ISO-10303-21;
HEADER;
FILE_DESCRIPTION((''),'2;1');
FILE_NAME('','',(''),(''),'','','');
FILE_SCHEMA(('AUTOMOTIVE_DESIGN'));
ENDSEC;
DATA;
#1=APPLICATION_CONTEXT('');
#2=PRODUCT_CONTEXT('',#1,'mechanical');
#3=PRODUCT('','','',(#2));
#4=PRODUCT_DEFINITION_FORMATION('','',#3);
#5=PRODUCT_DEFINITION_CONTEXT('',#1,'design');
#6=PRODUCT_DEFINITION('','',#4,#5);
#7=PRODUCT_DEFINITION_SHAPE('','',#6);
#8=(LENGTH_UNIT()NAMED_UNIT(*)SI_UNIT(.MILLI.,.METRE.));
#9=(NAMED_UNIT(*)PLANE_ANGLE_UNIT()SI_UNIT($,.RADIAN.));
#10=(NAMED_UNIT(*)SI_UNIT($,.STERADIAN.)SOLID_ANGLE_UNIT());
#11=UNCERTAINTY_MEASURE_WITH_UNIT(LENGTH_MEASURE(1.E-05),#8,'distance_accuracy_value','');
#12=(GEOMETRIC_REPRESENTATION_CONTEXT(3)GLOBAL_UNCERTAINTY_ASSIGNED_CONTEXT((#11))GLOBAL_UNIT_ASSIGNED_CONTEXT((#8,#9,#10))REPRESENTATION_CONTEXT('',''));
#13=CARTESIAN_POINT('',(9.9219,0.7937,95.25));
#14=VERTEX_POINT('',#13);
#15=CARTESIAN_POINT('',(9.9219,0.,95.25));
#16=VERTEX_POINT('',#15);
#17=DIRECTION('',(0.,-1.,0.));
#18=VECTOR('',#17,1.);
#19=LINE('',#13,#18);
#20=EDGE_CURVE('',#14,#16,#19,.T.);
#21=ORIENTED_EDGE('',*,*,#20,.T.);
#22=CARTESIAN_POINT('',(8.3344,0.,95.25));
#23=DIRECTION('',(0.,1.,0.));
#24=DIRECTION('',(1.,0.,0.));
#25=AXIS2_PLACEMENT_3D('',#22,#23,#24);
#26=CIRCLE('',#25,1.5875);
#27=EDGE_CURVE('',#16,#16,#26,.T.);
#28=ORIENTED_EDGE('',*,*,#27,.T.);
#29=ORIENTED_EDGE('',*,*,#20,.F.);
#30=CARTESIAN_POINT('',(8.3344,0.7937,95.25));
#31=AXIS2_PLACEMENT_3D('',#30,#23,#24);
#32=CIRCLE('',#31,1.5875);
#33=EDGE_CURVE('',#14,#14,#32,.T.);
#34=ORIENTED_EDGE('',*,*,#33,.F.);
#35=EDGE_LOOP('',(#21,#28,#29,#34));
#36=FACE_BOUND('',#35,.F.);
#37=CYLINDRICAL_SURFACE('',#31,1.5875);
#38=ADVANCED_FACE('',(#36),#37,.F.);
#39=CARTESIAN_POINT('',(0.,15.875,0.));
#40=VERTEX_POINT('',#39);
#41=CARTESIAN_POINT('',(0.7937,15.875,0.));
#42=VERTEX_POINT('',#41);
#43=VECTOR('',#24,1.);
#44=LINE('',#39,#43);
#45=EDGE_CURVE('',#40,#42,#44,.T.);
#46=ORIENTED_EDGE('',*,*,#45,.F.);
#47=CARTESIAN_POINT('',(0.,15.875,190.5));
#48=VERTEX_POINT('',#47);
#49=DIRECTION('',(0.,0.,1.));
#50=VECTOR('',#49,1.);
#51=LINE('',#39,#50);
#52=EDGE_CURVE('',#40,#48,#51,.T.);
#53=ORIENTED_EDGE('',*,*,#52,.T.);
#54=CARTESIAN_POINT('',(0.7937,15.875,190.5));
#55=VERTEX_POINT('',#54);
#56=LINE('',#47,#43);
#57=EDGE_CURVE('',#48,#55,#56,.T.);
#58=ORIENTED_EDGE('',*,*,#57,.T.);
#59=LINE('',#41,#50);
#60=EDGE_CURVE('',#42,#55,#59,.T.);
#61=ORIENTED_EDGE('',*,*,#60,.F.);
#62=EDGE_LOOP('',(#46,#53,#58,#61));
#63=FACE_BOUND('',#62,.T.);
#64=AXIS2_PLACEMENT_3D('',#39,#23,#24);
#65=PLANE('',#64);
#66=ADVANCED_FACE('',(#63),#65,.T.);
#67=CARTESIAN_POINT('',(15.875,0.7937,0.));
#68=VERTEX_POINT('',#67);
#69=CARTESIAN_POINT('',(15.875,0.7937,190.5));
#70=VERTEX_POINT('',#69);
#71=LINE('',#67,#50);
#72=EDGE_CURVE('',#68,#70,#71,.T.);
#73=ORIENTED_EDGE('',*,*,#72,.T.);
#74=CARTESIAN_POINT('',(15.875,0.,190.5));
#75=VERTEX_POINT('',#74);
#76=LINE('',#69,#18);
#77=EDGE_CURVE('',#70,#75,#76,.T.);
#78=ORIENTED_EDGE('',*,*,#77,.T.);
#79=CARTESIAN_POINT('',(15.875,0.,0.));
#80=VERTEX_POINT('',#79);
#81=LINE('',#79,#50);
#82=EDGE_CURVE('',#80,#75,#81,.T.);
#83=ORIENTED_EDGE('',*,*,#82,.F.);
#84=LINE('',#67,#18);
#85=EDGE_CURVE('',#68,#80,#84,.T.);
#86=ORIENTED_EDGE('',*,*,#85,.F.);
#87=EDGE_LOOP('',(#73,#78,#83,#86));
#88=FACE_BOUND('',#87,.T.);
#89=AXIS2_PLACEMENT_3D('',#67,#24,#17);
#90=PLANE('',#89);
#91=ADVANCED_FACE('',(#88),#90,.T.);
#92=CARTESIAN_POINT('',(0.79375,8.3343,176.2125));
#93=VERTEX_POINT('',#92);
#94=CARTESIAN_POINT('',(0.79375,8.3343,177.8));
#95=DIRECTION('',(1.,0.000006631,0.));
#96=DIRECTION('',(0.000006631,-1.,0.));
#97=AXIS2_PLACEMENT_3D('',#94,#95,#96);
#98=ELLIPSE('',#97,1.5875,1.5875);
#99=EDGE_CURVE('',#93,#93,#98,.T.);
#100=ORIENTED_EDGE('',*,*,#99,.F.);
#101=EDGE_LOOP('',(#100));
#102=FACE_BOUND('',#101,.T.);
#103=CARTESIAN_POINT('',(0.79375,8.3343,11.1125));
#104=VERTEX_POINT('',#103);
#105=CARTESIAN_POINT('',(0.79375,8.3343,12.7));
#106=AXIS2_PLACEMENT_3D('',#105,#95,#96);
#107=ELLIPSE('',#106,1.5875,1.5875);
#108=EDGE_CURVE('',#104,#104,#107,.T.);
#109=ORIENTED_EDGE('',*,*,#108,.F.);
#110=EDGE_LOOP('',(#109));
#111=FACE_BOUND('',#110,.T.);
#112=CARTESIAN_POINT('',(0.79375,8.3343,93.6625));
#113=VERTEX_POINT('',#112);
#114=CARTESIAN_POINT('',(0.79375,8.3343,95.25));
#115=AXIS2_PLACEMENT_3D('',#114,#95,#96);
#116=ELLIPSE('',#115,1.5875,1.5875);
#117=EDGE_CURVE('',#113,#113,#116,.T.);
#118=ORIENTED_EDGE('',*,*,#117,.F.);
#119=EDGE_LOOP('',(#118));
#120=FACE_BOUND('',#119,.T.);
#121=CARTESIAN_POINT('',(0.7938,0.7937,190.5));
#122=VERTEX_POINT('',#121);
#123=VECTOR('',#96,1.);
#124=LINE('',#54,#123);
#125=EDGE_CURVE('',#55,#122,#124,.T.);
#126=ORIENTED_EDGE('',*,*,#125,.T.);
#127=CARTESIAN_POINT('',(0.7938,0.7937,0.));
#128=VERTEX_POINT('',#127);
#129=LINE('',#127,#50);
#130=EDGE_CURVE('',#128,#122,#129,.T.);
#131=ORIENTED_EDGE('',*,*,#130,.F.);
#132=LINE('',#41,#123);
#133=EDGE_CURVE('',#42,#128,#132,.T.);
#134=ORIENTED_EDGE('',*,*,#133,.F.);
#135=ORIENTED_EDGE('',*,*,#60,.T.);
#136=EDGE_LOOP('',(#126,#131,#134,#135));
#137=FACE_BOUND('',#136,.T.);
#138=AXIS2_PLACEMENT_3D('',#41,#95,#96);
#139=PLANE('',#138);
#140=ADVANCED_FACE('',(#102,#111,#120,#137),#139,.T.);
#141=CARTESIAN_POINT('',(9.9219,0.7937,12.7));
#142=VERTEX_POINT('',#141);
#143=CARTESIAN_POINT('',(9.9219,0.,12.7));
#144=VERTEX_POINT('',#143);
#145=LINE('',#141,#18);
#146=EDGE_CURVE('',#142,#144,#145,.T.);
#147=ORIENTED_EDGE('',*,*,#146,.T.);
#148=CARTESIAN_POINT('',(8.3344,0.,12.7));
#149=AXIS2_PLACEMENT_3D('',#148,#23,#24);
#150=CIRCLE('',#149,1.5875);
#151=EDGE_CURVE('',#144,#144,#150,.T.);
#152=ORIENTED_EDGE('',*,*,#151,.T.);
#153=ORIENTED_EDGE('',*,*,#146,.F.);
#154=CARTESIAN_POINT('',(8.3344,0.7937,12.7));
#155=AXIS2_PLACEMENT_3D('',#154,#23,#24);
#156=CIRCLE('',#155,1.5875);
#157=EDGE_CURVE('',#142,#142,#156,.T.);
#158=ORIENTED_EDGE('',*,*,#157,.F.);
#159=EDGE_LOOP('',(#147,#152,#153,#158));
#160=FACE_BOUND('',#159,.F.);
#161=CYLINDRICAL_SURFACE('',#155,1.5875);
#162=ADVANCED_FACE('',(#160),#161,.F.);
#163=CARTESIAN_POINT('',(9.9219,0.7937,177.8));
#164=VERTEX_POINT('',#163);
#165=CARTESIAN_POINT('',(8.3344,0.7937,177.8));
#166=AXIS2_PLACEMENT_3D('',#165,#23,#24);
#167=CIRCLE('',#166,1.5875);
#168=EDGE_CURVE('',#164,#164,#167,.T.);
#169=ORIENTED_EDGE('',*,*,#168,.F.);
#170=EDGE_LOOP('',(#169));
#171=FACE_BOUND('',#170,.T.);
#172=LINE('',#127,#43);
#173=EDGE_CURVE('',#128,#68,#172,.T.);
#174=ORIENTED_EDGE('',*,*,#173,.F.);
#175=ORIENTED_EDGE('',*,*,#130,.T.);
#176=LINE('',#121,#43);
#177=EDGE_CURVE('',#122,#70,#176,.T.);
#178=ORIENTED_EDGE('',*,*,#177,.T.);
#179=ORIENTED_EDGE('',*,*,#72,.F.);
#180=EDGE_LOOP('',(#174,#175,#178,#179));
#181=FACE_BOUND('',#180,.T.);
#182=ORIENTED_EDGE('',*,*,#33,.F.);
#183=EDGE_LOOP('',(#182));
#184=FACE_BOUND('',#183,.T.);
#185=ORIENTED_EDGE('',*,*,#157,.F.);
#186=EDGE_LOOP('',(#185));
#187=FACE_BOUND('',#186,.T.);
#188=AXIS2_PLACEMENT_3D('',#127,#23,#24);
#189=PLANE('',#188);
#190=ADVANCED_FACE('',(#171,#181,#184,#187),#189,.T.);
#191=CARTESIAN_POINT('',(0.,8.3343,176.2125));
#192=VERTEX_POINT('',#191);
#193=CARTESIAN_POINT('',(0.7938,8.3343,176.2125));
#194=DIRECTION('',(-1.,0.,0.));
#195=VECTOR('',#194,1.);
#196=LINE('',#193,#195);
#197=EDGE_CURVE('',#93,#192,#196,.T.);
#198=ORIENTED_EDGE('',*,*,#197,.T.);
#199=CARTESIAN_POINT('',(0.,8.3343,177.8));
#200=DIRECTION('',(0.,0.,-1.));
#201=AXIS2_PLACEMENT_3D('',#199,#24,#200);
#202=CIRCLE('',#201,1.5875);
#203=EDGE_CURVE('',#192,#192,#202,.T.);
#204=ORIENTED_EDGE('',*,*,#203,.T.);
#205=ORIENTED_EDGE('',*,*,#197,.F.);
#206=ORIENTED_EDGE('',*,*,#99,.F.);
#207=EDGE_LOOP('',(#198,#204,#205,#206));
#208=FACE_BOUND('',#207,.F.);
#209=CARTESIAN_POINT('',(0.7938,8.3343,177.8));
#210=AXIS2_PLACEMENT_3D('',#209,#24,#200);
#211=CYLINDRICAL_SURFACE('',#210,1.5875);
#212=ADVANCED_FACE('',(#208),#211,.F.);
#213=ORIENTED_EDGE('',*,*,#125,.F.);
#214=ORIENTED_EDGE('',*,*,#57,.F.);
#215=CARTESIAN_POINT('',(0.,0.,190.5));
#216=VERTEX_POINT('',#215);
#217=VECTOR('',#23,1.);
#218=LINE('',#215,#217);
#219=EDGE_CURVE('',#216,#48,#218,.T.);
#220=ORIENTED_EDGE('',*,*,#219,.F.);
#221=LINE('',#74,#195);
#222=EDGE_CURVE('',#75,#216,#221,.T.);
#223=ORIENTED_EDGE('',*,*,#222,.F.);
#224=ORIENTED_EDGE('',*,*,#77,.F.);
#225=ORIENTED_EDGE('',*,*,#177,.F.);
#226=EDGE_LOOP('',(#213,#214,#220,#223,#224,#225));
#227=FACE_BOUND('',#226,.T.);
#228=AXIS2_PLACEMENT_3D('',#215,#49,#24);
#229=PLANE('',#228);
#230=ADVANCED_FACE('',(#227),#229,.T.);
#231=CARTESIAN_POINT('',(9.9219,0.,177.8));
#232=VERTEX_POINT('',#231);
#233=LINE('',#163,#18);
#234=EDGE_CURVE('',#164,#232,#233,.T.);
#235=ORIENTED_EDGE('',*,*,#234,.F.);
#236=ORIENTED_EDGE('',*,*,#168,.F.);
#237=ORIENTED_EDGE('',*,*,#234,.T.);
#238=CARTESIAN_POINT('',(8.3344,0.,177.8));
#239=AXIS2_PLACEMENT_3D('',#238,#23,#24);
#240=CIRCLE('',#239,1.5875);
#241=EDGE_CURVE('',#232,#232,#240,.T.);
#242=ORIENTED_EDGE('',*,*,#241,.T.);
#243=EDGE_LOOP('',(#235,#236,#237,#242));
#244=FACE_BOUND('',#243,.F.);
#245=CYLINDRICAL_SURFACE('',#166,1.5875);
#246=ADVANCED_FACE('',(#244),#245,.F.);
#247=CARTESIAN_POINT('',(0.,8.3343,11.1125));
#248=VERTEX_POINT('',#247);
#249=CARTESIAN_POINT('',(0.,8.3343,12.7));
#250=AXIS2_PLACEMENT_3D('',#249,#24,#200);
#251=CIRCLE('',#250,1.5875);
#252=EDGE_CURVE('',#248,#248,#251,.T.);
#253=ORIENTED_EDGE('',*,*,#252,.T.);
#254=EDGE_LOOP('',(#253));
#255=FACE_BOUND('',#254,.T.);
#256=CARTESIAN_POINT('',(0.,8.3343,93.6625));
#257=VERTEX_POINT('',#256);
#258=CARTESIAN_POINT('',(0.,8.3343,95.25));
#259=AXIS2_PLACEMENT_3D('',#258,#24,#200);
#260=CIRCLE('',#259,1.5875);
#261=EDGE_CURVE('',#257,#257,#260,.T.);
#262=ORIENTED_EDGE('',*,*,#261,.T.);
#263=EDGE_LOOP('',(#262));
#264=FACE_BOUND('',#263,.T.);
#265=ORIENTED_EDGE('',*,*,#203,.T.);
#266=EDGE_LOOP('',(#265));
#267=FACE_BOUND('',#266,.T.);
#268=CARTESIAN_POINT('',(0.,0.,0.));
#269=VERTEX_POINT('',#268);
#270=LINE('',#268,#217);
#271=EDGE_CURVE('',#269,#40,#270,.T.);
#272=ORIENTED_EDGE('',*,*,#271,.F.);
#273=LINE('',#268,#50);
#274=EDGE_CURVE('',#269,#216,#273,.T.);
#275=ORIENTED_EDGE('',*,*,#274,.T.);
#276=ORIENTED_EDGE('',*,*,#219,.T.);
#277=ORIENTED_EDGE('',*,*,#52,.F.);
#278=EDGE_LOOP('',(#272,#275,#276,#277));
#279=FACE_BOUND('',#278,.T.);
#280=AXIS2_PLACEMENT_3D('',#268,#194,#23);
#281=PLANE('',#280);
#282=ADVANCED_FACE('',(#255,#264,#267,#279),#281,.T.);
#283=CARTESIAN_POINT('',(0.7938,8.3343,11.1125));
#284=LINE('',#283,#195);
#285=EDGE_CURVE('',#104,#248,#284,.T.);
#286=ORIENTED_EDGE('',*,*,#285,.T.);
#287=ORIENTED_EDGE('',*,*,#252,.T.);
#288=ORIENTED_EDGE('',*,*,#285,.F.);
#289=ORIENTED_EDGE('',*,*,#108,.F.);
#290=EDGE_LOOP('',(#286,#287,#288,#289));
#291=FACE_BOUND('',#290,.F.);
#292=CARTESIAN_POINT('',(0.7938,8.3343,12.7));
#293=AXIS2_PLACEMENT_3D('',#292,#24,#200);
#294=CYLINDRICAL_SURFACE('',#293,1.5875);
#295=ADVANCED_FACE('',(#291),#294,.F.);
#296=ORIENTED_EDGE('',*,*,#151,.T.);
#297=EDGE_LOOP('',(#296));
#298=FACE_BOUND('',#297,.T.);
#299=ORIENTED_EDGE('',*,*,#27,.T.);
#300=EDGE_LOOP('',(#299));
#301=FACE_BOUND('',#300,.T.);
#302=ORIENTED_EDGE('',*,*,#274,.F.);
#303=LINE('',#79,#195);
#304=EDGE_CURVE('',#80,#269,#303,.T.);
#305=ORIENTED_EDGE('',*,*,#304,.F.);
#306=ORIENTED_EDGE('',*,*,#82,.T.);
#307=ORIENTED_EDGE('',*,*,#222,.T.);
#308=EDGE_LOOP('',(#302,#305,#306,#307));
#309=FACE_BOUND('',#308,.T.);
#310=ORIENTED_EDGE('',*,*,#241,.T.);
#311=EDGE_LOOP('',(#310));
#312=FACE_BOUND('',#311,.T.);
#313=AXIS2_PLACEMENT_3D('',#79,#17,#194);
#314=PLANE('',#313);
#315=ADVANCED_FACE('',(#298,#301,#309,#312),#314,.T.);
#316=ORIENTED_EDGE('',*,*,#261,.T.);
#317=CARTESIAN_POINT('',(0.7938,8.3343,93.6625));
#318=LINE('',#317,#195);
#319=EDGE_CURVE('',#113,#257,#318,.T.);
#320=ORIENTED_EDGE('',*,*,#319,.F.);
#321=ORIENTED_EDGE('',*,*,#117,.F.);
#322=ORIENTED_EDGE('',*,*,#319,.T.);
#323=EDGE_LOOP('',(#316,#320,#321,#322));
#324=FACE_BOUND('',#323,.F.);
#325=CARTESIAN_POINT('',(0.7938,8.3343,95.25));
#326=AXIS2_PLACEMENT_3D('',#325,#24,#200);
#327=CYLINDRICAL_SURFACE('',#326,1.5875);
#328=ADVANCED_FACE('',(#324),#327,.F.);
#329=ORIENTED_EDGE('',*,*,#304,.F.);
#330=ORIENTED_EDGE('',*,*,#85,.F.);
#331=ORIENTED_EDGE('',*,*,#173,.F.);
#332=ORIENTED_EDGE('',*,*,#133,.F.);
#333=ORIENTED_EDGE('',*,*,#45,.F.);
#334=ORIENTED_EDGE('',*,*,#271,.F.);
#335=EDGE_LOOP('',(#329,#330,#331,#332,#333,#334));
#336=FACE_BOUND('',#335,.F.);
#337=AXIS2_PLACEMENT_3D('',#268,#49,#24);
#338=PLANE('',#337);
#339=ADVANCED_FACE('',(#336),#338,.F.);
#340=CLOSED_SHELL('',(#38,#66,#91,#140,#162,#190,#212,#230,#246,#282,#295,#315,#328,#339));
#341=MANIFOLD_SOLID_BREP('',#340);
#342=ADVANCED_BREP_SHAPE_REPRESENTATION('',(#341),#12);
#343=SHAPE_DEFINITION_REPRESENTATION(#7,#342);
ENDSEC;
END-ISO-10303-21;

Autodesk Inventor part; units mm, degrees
ref_plane "YZ Plane" through (0, 0, 0) normal (1, 0, 0) x (0, 1, 0)
ref_plane "XZ Plane" through (0, 0, 0) normal (0, 1, 0) x (-1, 0, 0)
ref_plane "XY Plane" through (0, 0, 0) normal (0, 0, 1) x (1, 0, 0)
sketch "Sketch1" plane through (0, 0, 0) normal (0, 0, 1) x (1, 0, 0)
  line L0 (0, 0) -> (0, 15.875)
  line L1 (0, 15.875) -> (0.7937, 15.875)
  line L2 (0.7937, 15.875) -> (0.7938, 0.7937)
  line L3 (0.7938, 0.7937) -> (15.875, 0.7937)
  line L4 (15.875, 0.7937) -> (15.875, 0)
  line L5 (15.875, 0) -> (0, 0)
  dimension "d0" = 15.875
  dimension "d1" = 0.7937
extrude "Extrusion1" add sketch "Sketch1" along normal blind 190.5
sketch "Sketch2" plane through (0.7938, 0.7937, 0) normal (0, 1, 0) x (1, 0, 0)
  line L0 (0, 0) -> (15.0812, 0) projected
  line L1 (15.0812, -190.5) -> (0, -190.5) projected
  line L2 (7.5406, 0) -> (7.5406, -190.5) construction
  circle A0 centre (7.5406, -12.7) radius 1.5875
  circle A1 centre (7.5406, -95.25) radius 1.5875
  circle A2 centre (7.5406, -177.8) radius 1.5875
  point P0 (-0.7938, 0)
  dimension "d4" = 12.7
  dimension "d5" = 3.175
  dimension "d6" = 190.5
  dimension "d9" = 82.55
sketch "Sketch3" plane through (0.7938, 0.7937, 0) normal (1, 0, 0) x (0, 0, -1)
  line L0 (0, 15.0812) -> (0, 0) projected
  line L1 (-190.5, 0) -> (-190.5, 15.0812) projected
  line L2 (-190.5, 7.5406) -> (0, 7.5406) construction
  circle A0 centre (-12.7, 7.5406) radius 1.5875
  circle A1 centre (-95.25, 7.5406) radius 1.5875
  circle A2 centre (-177.8, 7.5406) radius 1.5875
  point P0 (0, -0.7937)
  dimension "d14" = 3.175
  dimension "d15" = 12.7
  dimension "d16" = 190.5
  dimension "d19" = 82.55
extrude "Extrusion2" cut sketch "Sketch2" against normal through all
extrude "Extrusion3" cut sketch "Sketch3" against normal through all
properties part number "Hopper Bracing Front Left P5" material "Aluminum 6061"
